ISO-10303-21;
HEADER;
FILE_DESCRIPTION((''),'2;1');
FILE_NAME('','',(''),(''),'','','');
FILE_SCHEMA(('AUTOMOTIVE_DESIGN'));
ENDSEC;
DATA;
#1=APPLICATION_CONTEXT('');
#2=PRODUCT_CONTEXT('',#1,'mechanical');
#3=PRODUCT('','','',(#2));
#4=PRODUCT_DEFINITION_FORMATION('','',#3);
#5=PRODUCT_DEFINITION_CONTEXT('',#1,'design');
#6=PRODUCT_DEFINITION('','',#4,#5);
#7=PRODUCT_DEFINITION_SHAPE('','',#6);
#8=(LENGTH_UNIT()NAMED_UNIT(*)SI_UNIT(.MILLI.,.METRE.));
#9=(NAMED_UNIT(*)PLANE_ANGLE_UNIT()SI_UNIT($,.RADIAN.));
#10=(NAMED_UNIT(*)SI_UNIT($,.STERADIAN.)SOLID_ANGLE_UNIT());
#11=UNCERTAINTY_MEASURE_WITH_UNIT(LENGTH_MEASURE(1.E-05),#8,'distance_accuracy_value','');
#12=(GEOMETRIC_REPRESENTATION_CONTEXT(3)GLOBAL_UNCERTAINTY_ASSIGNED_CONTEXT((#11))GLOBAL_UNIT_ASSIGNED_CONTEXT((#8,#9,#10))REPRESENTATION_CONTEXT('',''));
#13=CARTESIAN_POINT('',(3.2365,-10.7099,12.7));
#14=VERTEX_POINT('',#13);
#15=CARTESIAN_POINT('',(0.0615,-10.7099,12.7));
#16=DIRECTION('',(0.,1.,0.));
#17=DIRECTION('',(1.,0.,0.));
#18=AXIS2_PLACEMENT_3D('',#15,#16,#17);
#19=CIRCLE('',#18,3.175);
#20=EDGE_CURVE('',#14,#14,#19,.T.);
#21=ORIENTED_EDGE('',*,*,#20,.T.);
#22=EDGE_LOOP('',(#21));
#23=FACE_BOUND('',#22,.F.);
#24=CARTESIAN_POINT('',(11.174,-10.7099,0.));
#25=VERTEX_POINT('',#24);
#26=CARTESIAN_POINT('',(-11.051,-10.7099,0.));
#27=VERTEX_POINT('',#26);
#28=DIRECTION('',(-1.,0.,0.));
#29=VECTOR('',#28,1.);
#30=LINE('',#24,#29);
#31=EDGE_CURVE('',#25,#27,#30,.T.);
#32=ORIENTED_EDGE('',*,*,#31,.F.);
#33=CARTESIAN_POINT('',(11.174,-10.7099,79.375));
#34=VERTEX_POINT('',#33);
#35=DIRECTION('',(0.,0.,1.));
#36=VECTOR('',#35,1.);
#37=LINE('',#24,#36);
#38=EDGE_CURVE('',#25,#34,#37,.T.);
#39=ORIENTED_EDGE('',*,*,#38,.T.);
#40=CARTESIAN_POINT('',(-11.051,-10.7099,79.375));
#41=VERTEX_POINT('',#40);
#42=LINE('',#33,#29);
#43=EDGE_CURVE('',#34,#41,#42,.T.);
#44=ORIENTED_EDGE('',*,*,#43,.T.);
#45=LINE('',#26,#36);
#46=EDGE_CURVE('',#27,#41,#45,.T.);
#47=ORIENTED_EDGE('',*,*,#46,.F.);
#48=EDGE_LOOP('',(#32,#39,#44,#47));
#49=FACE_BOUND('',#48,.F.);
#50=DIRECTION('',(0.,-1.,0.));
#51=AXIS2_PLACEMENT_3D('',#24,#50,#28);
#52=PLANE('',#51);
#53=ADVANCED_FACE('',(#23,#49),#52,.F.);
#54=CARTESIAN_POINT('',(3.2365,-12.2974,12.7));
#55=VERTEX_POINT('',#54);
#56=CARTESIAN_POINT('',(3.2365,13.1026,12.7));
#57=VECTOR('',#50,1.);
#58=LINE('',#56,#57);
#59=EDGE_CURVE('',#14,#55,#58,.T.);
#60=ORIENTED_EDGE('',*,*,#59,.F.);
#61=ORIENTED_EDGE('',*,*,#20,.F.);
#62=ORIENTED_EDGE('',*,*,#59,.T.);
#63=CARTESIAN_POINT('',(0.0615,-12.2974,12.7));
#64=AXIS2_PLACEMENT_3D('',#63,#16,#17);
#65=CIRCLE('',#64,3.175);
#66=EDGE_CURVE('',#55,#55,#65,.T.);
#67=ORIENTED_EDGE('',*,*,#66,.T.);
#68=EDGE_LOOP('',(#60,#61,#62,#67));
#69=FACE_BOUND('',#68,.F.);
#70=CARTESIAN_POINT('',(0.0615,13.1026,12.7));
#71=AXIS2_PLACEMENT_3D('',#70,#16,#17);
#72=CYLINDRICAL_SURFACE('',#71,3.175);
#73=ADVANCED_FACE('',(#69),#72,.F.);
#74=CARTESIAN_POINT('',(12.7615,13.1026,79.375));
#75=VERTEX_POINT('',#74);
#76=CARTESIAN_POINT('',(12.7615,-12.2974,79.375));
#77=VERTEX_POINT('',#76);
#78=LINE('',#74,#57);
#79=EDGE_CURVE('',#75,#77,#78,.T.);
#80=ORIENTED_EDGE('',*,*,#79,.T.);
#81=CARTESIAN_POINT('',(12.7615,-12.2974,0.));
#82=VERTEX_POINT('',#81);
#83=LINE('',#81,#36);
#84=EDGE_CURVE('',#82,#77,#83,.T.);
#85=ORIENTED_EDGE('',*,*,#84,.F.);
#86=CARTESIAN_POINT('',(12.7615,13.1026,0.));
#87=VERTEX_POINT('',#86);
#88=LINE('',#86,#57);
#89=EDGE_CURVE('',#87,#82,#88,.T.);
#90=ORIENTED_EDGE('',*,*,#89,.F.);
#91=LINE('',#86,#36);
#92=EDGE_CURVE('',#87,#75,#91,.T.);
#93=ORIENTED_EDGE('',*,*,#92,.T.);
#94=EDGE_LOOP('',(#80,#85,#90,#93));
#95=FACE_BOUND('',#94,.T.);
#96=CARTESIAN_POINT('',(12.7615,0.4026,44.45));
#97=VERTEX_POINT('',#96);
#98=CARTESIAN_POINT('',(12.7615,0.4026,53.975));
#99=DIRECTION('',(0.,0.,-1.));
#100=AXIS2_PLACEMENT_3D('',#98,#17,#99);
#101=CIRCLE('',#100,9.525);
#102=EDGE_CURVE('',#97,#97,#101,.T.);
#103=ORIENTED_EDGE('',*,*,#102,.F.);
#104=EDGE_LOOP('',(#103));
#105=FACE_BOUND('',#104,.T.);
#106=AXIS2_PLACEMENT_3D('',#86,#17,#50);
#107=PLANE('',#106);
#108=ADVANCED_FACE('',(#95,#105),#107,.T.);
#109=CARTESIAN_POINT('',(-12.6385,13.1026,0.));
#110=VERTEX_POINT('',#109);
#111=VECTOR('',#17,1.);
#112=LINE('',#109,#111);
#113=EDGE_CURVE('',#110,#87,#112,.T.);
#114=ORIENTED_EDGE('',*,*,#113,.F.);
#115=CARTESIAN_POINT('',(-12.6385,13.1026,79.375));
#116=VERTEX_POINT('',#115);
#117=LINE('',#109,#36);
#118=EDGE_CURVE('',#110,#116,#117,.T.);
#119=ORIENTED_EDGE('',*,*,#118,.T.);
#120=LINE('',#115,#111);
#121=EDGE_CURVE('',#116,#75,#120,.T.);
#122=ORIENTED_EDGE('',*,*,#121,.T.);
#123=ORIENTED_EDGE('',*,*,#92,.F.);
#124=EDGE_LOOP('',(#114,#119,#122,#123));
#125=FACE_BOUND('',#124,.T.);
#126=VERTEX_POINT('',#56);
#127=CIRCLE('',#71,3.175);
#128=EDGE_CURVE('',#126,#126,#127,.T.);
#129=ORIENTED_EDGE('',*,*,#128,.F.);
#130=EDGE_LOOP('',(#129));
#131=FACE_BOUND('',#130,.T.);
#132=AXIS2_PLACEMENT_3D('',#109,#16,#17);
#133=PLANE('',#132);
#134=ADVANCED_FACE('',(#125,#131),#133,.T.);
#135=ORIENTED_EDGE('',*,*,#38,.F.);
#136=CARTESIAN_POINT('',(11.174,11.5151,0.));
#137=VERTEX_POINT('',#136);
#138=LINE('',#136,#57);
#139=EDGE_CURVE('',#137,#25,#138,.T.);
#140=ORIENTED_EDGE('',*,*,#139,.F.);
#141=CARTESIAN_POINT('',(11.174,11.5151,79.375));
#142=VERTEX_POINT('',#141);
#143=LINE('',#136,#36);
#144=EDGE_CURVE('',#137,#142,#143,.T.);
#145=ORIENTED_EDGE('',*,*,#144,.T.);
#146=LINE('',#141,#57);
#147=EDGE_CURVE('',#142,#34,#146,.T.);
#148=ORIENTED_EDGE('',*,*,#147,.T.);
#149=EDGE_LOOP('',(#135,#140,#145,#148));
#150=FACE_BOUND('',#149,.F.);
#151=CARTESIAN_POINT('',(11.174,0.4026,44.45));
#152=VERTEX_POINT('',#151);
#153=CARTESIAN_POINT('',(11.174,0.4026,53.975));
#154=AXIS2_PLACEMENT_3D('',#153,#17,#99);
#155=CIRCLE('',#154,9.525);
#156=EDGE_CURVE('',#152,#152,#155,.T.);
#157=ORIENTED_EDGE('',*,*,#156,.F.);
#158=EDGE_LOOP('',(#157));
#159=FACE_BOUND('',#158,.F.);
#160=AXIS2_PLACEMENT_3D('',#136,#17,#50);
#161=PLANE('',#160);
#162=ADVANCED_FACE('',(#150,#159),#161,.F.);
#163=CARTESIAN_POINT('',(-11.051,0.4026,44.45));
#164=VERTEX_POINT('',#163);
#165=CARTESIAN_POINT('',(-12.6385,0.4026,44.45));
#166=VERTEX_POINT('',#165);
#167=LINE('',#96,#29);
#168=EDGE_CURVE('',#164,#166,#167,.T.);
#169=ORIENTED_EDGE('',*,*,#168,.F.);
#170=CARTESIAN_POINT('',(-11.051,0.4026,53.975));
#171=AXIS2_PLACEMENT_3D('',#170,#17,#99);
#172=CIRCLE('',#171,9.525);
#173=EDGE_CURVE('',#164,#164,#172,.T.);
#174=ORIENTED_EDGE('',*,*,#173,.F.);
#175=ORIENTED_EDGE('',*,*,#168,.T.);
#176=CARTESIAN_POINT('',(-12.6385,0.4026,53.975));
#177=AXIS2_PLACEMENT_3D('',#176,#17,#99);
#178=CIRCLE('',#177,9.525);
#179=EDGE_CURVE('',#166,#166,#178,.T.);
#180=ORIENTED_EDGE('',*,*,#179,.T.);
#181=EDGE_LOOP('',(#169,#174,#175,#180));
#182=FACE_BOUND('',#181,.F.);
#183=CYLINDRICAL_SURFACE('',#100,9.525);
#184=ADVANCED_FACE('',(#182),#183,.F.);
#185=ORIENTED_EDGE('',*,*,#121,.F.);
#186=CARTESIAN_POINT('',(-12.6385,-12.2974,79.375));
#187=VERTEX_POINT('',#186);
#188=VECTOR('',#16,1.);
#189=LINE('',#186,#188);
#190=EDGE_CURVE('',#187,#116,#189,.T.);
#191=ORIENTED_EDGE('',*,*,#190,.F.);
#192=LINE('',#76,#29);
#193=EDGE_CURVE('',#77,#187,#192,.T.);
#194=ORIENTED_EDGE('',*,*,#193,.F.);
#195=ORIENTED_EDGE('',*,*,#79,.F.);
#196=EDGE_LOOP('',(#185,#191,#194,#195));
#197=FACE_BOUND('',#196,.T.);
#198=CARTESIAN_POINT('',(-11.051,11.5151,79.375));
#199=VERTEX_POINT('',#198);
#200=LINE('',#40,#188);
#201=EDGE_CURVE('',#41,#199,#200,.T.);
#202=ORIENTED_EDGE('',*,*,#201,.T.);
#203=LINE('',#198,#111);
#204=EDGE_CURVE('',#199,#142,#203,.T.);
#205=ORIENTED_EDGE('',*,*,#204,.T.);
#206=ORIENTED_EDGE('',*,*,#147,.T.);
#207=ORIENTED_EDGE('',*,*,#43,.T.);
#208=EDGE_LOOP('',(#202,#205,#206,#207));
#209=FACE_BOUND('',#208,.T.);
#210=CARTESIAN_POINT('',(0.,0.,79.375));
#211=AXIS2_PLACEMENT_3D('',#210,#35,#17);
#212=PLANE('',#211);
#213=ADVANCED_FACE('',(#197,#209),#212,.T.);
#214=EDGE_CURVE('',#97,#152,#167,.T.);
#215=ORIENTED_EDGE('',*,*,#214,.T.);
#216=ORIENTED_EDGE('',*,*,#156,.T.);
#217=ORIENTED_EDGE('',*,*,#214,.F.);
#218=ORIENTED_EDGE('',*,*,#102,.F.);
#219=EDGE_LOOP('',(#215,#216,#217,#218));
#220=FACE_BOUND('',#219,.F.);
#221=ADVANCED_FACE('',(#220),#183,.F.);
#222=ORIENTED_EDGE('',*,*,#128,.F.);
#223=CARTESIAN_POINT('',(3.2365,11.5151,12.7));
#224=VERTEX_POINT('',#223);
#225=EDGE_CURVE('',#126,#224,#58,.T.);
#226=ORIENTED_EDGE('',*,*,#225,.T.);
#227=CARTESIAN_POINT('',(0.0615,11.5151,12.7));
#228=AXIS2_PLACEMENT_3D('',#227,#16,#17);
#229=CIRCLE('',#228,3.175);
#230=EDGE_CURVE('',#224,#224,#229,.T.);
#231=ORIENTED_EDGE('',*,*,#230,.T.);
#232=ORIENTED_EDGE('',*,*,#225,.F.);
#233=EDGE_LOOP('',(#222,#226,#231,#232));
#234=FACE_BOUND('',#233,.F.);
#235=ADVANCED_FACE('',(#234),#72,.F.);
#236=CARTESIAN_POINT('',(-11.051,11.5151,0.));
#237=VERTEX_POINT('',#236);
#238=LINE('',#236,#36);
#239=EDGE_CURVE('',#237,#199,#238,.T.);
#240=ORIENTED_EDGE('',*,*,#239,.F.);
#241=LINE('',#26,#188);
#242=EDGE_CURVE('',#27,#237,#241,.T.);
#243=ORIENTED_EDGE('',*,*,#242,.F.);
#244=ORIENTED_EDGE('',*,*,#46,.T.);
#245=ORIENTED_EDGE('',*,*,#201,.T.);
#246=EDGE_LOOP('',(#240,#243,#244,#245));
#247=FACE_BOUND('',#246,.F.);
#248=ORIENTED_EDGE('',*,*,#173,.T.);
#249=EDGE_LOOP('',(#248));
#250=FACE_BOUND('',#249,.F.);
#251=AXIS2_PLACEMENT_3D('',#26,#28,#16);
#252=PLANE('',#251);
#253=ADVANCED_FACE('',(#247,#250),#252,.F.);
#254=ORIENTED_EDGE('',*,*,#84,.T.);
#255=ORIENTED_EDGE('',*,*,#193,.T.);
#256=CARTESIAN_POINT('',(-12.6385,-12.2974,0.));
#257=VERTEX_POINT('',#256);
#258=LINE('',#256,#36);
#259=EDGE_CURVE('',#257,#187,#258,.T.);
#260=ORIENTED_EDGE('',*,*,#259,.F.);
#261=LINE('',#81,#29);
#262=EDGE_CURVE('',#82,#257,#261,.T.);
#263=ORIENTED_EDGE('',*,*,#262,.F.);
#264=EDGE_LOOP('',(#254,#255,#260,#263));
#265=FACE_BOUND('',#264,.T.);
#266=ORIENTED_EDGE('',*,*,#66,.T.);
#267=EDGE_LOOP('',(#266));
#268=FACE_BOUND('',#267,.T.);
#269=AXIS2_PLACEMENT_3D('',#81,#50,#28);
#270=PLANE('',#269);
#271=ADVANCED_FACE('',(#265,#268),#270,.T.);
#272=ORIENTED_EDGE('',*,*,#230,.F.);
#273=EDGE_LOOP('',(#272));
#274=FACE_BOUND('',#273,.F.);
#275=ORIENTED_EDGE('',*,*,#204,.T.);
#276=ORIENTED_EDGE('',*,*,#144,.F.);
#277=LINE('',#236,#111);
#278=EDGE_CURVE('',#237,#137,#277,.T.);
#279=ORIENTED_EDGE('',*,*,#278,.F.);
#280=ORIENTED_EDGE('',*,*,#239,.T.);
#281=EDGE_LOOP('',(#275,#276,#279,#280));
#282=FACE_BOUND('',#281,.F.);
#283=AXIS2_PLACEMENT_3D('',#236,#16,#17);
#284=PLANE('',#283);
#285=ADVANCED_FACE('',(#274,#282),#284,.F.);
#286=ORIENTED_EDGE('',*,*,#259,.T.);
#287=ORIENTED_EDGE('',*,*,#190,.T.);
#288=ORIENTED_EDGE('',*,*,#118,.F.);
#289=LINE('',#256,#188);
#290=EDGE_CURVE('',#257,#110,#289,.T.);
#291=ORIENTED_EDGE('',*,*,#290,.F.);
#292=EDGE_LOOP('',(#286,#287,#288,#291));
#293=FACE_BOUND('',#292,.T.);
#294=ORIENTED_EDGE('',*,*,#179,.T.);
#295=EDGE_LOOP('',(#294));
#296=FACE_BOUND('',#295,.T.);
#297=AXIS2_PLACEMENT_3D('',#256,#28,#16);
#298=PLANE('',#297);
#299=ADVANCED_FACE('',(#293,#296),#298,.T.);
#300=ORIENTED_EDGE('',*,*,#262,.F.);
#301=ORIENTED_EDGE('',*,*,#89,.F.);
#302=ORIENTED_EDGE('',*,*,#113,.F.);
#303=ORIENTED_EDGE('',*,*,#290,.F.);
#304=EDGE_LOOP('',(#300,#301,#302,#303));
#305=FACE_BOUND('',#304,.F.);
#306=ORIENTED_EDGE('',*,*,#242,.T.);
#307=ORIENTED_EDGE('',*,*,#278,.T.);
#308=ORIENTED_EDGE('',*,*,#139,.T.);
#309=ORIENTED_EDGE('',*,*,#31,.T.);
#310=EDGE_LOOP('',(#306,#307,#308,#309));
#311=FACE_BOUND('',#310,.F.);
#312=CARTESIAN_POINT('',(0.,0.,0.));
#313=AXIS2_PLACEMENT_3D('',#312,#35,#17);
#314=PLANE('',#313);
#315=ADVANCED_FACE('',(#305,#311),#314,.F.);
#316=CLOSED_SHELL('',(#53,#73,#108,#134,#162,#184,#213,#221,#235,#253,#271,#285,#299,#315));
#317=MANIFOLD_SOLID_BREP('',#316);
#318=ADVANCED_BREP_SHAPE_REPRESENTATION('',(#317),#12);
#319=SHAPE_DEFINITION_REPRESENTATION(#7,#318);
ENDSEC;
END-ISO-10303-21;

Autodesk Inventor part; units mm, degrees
ref_plane "YZ Plane" through (0, 0, 0) normal (1, 0, 0) x (0, 1, 0)
ref_plane "XZ Plane" through (0, 0, 0) normal (0, 1, 0) x (-1, 0, 0)
ref_plane "XY Plane" through (0, 0, 0) normal (0, 0, 1) x (1, 0, 0)
sketch "Sketch1" plane through (0, 0, 0) normal (0, 0, 1) x (1, 0, 0)
  line L0 (-11.051, 11.5151) -> (11.174, 11.5151)
  line L1 (11.174, 11.5151) -> (11.174, -10.7099)
  line L2 (11.174, -10.7099) -> (-11.051, -10.7099)
  line L3 (-11.051, -10.7099) -> (-11.051, 11.5151)
  line L4 (-12.6385, 13.1026) -> (12.7615, 13.1026)
  line L5 (12.7615, 13.1026) -> (12.7615, -12.2974)
  line L6 (12.7615, -12.2974) -> (-12.6385, -12.2974)
  line L7 (-12.6385, -12.2974) -> (-12.6385, 13.1026)
  point P0 (0, 0)
  dimension "d0" = 25.4
  dimension "d1" = 25.4
  dimension "d2" = 1.5875
  dimension "d3" = 1.5875
  dimension "d4" = 1.5875
  dimension "d5" = 1.5875
extrude "Extrusion1" add sketch "Sketch1" along normal blind 79.375
sketch "Sketch2" plane through (12.7615, -12.2974, 0) normal (1, 0, 0) x (0, 0, -1)
  circle A0 centre (-53.975, 12.7) radius 9.525
  line L0 (0, 0) -> (-79.375, 0) projected
  line L1 (-79.375, 0) -> (-79.375, 25.4) projected
  circle A1 centre (-33.655, 12.7) radius 3.175
  circle A2 centre (-74.295, 12.7) radius 3.175
  point P0 (0, 12.2974)
  dimension "d8" = 19.05
  dimension "d11" = 12.7
  dimension "d12" = 25.4
  dimension "d13" = 20.32
  dimension "d14" = 6.35
  dimension "d15" = 6.35
  dimension "d16" = 20.32
extrude "Extrusion2" cut sketch "Sketch2" against normal through all contours A0
sketch "Sketch3" plane through (-12.6385, 13.1026, 0) normal (0, 1, 0) x (1, 0, 0)
  circle A0 centre (12.7, -12.7) radius 3.175
  line L0 (0, 0) -> (0, -79.375) projected
  line L1 (25.4, 0) -> (0, 0) projected
  point P0 (12.6385, 0)
  dimension "d17" = 6.35
  dimension "d18" = 12.7
  dimension "d19" = 12.7
extrude "Extrusion3" cut sketch "Sketch3" against normal through all
equation "\"d3\" = d2"
equation "\"d4\" = d2"
equation "\"d5\" = d2"
equation "\"d16\" = d13"
properties part number "Diff Side Bar"
